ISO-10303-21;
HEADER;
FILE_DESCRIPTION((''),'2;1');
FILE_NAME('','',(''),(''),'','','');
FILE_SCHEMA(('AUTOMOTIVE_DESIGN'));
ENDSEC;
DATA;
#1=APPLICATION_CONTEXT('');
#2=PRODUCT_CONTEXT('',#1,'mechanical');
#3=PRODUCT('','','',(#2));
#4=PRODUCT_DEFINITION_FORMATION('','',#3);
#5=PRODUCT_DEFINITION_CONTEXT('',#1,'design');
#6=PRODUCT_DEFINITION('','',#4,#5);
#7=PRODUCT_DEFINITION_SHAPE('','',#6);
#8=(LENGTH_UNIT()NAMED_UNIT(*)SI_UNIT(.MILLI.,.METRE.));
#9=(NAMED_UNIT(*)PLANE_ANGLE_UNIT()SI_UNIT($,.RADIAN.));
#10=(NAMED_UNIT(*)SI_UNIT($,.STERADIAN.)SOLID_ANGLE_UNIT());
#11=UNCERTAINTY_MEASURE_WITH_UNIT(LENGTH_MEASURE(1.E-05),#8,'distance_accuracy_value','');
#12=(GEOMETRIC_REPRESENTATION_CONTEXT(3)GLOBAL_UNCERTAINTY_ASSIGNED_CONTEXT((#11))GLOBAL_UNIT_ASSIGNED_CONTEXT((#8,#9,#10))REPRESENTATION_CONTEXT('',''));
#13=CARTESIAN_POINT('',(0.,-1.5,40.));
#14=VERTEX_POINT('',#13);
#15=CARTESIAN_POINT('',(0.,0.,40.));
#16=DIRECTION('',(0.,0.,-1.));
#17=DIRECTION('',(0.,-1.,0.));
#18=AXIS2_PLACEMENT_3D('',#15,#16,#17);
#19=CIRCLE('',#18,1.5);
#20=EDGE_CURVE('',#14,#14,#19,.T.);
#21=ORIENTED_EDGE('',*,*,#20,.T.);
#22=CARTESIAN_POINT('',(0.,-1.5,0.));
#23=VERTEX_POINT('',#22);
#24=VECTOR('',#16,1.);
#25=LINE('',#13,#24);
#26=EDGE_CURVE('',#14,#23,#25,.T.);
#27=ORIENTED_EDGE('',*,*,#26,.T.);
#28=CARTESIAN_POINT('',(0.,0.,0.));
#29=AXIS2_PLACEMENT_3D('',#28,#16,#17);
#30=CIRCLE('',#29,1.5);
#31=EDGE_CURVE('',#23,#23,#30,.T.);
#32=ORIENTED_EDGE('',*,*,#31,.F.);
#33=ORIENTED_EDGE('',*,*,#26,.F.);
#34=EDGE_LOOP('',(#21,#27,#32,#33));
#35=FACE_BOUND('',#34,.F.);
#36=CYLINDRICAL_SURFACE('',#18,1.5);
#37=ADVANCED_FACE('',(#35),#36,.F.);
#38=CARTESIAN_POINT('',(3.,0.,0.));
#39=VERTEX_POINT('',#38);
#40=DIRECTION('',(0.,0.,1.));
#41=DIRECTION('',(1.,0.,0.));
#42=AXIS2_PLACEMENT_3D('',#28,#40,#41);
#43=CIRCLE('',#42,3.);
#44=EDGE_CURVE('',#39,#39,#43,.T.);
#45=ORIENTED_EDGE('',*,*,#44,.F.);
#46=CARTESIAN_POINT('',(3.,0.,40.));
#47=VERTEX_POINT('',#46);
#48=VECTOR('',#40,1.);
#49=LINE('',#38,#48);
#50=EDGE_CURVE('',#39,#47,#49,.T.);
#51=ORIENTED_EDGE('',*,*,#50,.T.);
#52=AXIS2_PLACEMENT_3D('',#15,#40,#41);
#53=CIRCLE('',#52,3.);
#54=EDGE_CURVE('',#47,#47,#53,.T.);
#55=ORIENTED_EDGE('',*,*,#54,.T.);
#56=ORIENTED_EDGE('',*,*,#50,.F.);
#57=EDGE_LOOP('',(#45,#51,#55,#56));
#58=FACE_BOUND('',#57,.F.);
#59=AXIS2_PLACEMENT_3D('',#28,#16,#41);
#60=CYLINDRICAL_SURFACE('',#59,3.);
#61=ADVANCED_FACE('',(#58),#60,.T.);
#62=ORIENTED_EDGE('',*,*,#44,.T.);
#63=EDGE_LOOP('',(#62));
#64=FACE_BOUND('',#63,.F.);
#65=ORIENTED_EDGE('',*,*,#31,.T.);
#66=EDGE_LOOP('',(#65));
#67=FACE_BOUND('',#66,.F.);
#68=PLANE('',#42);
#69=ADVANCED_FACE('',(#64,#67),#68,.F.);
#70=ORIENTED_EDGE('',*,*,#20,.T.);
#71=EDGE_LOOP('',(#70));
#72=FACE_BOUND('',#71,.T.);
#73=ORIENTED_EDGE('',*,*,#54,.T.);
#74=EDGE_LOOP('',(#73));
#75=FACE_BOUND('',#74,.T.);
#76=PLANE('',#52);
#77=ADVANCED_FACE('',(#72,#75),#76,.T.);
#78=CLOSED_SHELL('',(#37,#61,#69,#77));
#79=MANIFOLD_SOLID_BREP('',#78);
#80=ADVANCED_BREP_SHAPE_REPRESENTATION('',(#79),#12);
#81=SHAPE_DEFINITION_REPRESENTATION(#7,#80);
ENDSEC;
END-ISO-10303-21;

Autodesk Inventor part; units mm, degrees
ref_plane "YZ Plane" through (0, 0, 0) normal (1, 0, 0) x (0, 1, 0)
ref_plane "XZ Plane" through (0, 0, 0) normal (0, 1, 0) x (-1, 0, 0)
ref_plane "XY Plane" through (0, 0, 0) normal (0, 0, 1) x (1, 0, 0)
sketch "スケッチ1" plane through (0, 0, 0) normal (0, 0, 1) x (1, 0, 0)
  circle A0 centre (0, 0) radius 3
  dimension "d0" = 6
extrude "押し出し1" add sketch "スケッチ1" along normal blind 40
hole "穴1" at (0, 0, 40) direction (0, 0, -1) diameter 3 end through all
thread "ねじ1" size "M3x0.5" class "6H" standard "ANSI Metric M Profile" full length
properties part number "スペーサ" material "ステンレス鋼 AISI 304"
